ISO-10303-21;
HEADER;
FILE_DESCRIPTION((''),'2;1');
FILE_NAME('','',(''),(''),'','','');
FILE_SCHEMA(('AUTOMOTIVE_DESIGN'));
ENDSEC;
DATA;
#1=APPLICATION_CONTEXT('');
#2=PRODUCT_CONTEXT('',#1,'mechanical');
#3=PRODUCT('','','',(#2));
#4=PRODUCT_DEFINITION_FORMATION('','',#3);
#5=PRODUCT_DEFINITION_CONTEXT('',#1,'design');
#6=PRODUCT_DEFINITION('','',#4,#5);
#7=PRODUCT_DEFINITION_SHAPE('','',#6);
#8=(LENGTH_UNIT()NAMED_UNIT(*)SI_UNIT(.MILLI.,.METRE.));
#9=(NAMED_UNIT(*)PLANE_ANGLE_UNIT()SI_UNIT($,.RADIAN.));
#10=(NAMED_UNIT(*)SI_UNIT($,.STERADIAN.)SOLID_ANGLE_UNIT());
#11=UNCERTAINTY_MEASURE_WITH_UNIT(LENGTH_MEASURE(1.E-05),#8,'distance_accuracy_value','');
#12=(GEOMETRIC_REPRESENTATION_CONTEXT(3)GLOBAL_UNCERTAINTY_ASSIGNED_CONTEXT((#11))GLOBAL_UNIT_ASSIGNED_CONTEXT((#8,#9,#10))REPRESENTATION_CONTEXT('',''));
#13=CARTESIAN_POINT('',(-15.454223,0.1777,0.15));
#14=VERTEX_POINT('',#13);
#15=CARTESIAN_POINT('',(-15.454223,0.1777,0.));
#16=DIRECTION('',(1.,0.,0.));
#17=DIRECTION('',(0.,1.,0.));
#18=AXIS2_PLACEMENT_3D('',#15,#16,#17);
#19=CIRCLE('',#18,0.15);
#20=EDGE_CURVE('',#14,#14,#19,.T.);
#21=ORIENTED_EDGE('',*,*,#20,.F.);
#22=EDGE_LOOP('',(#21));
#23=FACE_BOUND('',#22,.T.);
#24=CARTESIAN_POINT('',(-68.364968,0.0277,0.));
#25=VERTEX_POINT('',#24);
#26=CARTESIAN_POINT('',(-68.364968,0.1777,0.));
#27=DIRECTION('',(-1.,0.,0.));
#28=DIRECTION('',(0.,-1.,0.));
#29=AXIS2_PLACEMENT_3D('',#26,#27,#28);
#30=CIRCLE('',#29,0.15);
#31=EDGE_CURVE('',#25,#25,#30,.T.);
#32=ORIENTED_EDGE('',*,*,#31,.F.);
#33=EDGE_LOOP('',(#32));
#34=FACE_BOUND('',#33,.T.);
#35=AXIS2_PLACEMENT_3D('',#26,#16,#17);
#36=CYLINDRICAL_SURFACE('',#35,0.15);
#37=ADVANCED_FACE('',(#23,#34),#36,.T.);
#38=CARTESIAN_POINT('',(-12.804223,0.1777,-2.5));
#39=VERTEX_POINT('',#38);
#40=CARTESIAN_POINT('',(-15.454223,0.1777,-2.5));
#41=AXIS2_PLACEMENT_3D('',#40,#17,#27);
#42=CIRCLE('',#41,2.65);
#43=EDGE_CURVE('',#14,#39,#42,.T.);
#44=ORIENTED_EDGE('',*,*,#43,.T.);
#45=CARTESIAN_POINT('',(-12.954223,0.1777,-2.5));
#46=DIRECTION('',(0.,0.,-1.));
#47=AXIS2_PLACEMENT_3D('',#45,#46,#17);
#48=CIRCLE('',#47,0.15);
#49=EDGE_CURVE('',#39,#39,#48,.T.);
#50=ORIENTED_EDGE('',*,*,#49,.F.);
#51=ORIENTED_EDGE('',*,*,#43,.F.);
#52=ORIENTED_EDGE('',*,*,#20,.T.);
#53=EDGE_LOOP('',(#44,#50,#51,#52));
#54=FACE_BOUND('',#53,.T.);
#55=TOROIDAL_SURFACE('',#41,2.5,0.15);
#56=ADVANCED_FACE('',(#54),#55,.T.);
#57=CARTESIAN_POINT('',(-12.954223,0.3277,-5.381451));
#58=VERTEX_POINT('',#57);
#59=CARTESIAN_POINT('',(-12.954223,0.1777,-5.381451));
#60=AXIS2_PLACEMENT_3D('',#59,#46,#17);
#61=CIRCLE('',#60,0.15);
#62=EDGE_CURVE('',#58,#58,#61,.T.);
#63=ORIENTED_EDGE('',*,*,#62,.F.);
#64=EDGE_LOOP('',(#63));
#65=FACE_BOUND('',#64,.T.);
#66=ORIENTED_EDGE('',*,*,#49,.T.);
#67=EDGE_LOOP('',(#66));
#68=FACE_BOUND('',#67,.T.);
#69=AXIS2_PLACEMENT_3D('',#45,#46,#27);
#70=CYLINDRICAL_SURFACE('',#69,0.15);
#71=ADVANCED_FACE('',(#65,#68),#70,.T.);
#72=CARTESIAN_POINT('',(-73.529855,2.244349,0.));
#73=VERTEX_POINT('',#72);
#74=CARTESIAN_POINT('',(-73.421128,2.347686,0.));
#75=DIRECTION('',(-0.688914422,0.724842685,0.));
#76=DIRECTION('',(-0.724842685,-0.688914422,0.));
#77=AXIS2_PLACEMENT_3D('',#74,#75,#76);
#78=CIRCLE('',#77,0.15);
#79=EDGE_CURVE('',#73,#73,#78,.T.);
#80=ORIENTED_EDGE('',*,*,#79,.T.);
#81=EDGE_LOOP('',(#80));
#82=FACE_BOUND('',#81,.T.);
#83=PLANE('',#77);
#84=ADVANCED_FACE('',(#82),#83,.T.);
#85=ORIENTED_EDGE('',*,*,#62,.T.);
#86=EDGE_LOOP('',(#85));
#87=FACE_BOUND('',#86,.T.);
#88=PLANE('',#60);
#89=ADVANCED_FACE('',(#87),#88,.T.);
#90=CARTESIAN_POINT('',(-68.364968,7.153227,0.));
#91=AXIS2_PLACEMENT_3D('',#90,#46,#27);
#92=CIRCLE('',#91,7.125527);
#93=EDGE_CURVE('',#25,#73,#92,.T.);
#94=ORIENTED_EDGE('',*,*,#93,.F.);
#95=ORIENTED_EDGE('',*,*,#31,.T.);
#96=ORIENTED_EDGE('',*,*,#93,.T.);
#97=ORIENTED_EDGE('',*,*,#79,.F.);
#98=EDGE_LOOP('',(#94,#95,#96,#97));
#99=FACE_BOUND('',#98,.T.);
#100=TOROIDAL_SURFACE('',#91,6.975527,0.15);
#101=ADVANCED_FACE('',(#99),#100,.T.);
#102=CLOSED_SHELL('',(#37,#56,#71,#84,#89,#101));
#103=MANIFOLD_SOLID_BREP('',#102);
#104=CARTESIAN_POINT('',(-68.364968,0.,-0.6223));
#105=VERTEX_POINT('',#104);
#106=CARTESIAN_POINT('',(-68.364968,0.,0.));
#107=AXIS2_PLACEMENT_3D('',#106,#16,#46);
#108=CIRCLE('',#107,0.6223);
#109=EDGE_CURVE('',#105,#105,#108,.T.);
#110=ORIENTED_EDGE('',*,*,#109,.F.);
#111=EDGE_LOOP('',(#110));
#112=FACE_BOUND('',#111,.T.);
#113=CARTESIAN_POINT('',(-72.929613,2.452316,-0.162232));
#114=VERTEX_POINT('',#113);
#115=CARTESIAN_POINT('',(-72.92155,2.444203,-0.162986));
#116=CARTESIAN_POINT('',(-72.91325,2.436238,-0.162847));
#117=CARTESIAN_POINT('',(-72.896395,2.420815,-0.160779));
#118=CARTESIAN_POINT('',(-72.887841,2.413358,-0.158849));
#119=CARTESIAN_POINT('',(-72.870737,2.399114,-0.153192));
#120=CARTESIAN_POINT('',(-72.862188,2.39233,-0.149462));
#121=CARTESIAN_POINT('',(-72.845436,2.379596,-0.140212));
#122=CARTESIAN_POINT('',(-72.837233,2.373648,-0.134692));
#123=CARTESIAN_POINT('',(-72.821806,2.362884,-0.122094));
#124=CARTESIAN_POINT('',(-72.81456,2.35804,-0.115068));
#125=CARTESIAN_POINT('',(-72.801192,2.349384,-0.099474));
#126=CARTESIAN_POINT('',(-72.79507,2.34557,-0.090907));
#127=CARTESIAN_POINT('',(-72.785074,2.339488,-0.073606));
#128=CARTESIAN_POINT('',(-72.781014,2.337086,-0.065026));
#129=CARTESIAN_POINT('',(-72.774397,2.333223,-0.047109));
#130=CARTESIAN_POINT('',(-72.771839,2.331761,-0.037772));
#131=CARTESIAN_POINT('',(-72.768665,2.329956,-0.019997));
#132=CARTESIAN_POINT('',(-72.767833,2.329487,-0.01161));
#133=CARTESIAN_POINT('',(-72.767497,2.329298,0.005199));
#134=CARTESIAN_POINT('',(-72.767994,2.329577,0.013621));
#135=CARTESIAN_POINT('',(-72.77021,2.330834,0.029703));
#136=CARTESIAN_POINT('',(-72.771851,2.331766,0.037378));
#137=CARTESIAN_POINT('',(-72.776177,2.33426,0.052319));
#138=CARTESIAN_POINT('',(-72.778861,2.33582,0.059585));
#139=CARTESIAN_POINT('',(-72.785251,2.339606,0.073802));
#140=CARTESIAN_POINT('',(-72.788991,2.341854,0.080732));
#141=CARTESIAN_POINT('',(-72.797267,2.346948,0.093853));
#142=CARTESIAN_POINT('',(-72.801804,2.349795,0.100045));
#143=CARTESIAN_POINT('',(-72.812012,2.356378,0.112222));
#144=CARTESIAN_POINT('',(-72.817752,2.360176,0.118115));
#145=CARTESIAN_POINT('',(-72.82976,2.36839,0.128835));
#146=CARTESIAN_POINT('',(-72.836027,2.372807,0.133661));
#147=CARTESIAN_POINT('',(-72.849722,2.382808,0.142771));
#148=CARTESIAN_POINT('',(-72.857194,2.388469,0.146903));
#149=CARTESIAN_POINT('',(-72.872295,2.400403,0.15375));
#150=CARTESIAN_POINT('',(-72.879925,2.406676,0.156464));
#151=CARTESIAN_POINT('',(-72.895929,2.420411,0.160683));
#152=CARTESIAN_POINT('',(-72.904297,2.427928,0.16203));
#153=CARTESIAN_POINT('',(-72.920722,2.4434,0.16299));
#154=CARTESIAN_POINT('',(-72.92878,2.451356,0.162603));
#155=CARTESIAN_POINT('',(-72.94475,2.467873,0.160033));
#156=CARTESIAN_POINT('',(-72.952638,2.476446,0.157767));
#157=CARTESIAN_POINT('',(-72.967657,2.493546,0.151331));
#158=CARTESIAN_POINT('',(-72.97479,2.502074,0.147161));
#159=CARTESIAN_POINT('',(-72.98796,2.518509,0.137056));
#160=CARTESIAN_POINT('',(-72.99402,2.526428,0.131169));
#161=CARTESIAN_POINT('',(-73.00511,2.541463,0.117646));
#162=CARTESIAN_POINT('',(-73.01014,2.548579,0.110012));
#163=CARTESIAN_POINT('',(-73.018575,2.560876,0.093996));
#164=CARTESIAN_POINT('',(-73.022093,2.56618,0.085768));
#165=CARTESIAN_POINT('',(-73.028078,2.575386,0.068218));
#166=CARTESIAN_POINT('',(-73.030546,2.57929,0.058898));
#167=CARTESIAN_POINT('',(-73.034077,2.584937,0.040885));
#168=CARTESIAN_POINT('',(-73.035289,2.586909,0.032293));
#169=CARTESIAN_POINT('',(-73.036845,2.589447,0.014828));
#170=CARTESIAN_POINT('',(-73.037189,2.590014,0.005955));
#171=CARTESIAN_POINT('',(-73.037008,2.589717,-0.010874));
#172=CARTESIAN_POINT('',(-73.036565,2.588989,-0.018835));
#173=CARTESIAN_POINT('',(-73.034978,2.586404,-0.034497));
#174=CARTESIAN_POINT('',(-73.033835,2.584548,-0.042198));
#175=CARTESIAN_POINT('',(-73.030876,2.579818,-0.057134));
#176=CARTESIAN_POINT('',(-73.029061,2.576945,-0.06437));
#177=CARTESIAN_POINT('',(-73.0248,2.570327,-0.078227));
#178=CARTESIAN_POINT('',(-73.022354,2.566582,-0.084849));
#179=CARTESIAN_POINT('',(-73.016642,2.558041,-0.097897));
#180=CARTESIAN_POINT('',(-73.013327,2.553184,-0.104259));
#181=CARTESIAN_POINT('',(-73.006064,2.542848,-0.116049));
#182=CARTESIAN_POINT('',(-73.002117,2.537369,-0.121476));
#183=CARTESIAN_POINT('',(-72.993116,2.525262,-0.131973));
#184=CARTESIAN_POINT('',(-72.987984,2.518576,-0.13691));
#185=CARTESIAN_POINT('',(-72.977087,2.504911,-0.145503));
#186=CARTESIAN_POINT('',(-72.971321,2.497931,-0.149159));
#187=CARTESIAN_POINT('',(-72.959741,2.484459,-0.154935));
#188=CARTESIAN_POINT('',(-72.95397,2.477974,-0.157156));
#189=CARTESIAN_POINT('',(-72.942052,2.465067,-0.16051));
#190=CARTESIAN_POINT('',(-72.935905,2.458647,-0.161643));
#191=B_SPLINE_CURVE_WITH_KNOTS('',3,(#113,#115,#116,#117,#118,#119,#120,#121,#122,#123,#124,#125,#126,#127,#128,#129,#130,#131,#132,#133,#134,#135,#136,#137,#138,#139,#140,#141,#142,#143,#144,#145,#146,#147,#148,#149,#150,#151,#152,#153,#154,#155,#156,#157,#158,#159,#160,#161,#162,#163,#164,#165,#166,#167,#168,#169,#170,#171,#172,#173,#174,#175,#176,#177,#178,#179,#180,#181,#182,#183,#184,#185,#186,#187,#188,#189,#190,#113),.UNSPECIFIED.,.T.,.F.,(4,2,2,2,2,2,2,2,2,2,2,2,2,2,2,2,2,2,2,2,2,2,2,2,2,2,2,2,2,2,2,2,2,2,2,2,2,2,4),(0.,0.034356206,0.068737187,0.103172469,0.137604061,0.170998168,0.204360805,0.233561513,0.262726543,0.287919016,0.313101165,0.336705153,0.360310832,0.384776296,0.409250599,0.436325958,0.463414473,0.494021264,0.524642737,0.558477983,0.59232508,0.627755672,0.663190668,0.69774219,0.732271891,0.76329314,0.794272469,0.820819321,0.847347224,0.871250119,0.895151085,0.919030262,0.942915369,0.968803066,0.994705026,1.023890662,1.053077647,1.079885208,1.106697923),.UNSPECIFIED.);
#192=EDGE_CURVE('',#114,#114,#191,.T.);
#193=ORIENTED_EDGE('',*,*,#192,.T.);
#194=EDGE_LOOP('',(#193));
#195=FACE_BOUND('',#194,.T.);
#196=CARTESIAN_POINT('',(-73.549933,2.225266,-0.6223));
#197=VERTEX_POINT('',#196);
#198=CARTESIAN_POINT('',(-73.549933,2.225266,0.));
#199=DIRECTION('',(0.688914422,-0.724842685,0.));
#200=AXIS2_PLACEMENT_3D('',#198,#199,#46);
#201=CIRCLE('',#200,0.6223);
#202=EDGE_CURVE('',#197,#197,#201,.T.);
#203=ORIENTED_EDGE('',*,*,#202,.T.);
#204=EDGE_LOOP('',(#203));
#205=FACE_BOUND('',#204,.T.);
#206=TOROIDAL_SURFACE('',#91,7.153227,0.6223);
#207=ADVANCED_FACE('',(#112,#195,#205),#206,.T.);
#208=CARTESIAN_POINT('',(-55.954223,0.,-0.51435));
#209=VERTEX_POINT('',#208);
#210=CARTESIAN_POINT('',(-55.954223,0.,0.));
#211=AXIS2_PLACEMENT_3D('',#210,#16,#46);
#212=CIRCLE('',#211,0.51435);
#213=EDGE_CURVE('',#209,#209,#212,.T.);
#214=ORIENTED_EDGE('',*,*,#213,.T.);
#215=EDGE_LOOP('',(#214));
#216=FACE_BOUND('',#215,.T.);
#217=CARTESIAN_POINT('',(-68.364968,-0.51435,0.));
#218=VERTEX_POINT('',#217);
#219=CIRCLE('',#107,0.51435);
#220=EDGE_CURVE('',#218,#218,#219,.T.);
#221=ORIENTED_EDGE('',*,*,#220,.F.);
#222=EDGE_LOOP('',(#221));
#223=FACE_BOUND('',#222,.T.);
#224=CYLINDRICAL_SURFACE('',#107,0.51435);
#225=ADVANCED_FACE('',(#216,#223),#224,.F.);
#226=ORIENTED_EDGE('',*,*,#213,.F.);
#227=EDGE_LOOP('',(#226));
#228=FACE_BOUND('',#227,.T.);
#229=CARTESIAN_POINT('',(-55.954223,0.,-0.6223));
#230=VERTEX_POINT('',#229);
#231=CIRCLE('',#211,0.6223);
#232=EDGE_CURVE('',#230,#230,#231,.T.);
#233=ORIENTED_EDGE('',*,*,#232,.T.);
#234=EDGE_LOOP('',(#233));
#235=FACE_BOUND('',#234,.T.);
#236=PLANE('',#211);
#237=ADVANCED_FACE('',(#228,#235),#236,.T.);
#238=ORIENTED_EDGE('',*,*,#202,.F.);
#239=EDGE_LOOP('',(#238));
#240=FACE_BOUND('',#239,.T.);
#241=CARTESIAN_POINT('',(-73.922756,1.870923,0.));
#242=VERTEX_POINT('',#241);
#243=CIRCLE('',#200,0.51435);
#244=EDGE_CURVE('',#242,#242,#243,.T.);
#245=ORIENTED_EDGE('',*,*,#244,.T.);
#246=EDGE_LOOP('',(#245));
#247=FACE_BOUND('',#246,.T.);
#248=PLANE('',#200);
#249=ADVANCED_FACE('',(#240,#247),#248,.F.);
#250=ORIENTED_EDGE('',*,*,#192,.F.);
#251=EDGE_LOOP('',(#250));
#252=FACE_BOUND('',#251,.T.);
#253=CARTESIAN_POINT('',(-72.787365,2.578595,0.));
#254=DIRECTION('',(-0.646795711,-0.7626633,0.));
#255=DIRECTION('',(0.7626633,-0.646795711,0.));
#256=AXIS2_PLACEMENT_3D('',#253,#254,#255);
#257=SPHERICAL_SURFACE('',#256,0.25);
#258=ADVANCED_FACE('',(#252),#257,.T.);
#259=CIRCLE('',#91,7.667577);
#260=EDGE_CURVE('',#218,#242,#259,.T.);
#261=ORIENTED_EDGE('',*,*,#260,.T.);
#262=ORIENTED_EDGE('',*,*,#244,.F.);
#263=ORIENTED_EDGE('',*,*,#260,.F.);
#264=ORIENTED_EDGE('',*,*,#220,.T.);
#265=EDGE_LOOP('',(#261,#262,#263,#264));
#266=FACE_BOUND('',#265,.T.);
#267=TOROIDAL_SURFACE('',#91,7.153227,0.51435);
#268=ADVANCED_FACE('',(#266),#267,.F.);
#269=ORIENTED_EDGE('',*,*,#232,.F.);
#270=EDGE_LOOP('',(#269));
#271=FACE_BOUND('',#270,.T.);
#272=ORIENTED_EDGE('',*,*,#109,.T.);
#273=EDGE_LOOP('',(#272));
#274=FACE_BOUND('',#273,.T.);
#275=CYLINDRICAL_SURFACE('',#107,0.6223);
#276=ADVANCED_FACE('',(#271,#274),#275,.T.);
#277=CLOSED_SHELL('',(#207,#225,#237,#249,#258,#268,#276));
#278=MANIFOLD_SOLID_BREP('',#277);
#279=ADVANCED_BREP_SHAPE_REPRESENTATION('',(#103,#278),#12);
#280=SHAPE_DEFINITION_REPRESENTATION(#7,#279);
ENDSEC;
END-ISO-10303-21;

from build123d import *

# Parameters (mm, degrees)
SKETCH5_R           = 0.6223
SKETCH5_R_2         = 0.51435
SKETCH5_2_R         = 0.6223
SKETCH5_2_R_2       = 0.51435
BOSS_EXTRUDE2_DEPTH = 10
SKETCH8_R           = 0.15
SKETCH9_R           = 0.15
BOSS_EXTRUDE3_DEPTH = 40
SKETCH11_R          = 0.15


with BuildPart() as part:
    # Sweep2: sweep along a path in Sketch4
    with BuildLine(Plane.XY) as sweep2_path:
        Line((-65.954222951, 0), (-68.364968213, 0))
        ThreePointArc((-68.364968213, 0), (-71.186123393, 0.579815367), (-73.549932813, 2.225265895))
    # Sketch5 → Sweep2 (sweep)
    with BuildSketch(Plane(origin=(-65.954222951, 0, 0), x_dir=(0, 0, -1), z_dir=(1, 0, 0))):
        Circle(SKETCH5_R)
        Circle(SKETCH5_R_2, mode=Mode.SUBTRACT)
    sweep(path=sweep2_path.line)

    # Sketch5<2> → Boss-Extrude2 (add)
    with BuildSketch(Plane(origin=(-65.954222951, 0, 0), x_dir=(0, 0, -1), z_dir=(1, 0, 0))):
        Circle(SKETCH5_2_R)
        Circle(SKETCH5_2_R_2, mode=Mode.SUBTRACT)
    extrude(amount=BOSS_EXTRUDE2_DEPTH)

    # Sketch6 → Revolve2 (revolve)
    with BuildSketch(Plane.XY):
        with BuildLine():
            Line((-72.949063517, 2.38792888), (-72.625665662, 2.76926053))
            ThreePointArc((-72.625665662, 2.76926053), (-72.596698765, 2.416895777), (-72.949063517, 2.38792888))
        make_face()
    revolve(axis=Axis((-72.949063517, 2.38792888, 0), (0.6467957105420484, 0.7626632997754689, 0)))


with BuildPart() as body_2:
    # Sweep3: sweep along a path in Sketch7
    with BuildLine(Plane.XY) as sweep3_path:
        Line((-55.954222951, 0.1777), (-68.364968213, 0.1777))
        ThreePointArc((-68.364968213, 0.1777), (-71.116040444, 0.743111633), (-73.421128268, 2.347685988))
    # Sketch8 → Sweep3 (sweep)
    with BuildSketch(Plane(origin=(-36.018221468, 37.89664365, 0), x_dir=(0.7248426853938525, 0.688914422429251, 0), z_dir=(-0.688914422429251, 0.7248426853938525, 0))):
        with Locations((-51.601413042, 0)):
            Circle(SKETCH8_R)
    sweep(path=sweep3_path.line)

    # Sketch9 → Boss-Extrude3 (add)
    with BuildSketch(Plane(origin=(-55.954222951, 0, 0), x_dir=(0, 0, -1), z_dir=(1, 0, 0))):
        with Locations((0, 0.1777)):
            Circle(SKETCH9_R)
    extrude(amount=BOSS_EXTRUDE3_DEPTH)

    # Sweep4: sweep along a path in Sketch10
    with BuildLine(Plane(origin=(-32.524934282, 0.1777, -2.743586274), x_dir=(1, 0, 0), z_dir=(0, -1, 0))) as sweep4_path:
        Line((16.570711331, 2.743586274), (17.070711331, 2.743586274))
        ThreePointArc((17.070711331, 2.743586274), (18.838478284, 2.011353227), (19.570711331, 0.243586274))
        Line((19.570711331, 0.243586274), (19.570711331, -2.637865197))
    # Sketch11 → Sweep4 (sweep)
    with BuildSketch(Plane(origin=(-15.954222951, 0, 0), x_dir=(0, 0, -1), z_dir=(1, 0, 0))):
        with Locations((0, 0.1777)):
            Circle(SKETCH11_R)
    sweep(path=sweep4_path.line)


solid = Compound([part.part, body_2.part])
